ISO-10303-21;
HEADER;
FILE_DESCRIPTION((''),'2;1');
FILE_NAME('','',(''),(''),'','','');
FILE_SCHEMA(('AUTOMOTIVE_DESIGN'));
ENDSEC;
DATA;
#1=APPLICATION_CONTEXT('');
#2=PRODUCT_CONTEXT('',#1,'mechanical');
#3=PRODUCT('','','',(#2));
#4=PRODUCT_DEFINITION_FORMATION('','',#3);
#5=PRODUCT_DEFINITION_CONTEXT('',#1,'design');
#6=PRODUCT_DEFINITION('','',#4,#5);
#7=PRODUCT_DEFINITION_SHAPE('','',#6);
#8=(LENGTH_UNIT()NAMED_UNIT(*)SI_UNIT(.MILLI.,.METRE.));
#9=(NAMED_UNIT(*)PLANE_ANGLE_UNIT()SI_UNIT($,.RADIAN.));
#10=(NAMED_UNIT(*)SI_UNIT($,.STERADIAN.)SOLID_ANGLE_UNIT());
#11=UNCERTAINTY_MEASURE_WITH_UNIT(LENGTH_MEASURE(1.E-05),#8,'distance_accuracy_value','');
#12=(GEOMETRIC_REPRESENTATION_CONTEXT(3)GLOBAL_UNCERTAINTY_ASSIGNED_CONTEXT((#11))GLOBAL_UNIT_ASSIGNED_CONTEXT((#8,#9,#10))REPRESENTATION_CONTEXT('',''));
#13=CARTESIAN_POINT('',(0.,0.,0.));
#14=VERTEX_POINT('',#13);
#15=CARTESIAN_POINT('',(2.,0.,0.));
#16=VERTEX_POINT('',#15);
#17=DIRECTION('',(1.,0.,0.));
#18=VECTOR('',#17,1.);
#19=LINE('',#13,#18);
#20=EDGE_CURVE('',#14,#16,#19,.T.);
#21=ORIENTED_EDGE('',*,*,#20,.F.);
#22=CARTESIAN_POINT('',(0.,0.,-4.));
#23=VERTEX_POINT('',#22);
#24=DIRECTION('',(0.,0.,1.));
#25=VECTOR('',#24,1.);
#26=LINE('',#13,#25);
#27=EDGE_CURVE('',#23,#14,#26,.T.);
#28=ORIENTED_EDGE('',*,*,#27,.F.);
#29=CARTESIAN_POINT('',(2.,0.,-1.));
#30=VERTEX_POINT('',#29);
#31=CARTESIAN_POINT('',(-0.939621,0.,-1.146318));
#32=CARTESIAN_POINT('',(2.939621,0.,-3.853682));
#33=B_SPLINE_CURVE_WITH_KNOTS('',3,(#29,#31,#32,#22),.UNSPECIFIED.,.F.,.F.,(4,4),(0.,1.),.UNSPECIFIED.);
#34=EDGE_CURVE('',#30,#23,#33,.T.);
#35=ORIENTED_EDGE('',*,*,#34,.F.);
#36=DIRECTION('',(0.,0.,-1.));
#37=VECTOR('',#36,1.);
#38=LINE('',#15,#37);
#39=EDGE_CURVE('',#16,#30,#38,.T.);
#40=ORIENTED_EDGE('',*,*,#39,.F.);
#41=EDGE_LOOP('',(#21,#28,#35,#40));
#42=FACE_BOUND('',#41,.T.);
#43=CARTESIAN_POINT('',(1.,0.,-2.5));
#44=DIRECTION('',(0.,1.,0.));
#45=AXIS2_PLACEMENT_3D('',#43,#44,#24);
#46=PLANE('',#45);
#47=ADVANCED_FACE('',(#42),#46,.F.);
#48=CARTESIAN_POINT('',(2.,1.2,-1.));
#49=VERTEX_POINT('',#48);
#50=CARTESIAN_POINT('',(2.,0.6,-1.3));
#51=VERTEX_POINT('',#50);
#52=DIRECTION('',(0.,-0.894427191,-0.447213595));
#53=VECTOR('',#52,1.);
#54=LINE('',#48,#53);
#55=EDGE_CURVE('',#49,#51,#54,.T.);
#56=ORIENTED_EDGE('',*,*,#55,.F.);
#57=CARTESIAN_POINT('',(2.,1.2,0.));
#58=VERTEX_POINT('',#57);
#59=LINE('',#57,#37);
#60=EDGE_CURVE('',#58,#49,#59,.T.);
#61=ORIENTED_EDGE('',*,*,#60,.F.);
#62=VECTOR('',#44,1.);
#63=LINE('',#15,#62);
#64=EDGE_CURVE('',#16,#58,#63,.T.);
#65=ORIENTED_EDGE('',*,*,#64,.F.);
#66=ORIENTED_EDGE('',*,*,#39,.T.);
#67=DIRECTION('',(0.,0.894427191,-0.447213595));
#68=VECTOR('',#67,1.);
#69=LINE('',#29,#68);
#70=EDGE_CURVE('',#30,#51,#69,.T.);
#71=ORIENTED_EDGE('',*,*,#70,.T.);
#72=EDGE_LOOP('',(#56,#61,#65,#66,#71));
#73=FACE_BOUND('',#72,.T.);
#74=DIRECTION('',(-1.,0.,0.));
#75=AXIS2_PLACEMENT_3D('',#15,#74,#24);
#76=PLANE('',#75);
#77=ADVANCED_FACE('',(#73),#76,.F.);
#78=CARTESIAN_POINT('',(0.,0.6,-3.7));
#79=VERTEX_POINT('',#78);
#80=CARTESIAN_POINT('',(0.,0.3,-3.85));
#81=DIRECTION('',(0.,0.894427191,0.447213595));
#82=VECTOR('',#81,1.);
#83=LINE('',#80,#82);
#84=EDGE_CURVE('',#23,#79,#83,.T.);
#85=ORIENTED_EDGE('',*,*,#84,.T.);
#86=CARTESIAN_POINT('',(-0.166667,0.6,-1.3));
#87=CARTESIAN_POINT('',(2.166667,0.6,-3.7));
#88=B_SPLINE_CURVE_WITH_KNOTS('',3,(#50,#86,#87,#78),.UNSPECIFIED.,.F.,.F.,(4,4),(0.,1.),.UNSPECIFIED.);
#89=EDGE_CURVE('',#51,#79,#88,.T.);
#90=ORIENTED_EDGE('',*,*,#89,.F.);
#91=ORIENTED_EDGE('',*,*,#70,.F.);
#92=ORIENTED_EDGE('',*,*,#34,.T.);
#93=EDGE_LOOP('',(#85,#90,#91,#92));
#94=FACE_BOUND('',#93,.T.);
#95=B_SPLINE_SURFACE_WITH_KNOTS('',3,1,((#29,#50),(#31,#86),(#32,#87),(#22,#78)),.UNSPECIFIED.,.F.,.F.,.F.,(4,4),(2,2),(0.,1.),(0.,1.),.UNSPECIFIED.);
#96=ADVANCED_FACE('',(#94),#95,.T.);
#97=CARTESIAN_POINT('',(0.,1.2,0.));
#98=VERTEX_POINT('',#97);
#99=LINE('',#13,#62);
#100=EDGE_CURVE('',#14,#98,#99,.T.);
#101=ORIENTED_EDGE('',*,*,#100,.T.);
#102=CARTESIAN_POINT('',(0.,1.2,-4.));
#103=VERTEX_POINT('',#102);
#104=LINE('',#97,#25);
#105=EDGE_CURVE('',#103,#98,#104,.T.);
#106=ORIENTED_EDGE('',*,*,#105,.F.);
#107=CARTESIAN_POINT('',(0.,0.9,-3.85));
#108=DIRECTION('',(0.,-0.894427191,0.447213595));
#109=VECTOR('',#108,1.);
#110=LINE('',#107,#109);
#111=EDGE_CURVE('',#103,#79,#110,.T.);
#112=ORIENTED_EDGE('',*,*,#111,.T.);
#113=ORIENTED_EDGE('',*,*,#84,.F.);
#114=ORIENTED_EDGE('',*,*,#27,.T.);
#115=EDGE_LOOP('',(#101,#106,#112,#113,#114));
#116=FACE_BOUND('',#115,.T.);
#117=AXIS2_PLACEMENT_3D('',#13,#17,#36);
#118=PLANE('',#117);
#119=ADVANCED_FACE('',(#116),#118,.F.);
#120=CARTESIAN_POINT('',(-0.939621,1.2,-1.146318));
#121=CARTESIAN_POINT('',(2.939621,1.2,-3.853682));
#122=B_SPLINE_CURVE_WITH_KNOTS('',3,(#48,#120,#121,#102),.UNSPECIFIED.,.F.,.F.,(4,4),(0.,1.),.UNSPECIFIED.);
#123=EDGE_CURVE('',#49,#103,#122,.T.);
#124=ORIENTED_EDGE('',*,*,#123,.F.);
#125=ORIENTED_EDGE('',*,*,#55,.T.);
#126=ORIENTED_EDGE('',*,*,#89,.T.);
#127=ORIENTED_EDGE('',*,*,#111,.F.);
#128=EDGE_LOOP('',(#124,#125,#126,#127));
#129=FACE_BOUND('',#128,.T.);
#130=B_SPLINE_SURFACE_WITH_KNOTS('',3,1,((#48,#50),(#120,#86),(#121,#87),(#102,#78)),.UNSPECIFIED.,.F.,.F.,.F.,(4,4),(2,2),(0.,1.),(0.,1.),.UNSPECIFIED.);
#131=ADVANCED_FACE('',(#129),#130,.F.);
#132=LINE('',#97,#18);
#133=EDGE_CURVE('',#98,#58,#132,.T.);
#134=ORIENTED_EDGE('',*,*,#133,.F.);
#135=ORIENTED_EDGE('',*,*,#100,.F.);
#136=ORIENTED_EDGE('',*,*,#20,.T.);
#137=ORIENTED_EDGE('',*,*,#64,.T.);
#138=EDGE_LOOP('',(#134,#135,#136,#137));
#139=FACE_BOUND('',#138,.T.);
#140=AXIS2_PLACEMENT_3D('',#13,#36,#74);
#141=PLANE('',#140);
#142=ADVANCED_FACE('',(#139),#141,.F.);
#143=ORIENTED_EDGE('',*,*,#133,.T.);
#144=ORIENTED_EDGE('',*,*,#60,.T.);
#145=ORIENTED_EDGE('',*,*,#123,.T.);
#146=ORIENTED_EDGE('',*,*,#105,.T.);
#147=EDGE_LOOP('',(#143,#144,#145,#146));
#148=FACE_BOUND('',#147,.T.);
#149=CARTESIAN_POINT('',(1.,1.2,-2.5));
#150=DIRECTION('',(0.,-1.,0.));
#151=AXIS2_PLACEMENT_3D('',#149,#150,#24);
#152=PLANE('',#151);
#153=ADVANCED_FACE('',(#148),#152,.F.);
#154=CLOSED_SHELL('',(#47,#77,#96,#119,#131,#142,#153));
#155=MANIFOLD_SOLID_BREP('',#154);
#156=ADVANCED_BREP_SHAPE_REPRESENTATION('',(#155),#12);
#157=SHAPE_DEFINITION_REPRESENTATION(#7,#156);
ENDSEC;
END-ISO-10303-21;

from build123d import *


with BuildPart() as part:
    # Sketch1 → Loft1 section 0
    with BuildSketch(Plane(origin=(0, 0, 0), x_dir=(1, 0, 0), z_dir=(0, 1, 0))):
        with BuildLine():
            Line((0, 0), (2, 0))
            Line((2, 0), (2, 1))
            add(Edge.make_bspline(
                [(0, 4), (2.939621294, 3.853681673), (-0.939621294, 1.146318327), (2, 1)],
                knots=[0, 0, 0, 0, 1, 1, 1, 1], degree=3))
            Line((0, 4), (0, 0))
        make_face()
    # Sketch2 → Loft1 section 1
    with BuildSketch(Plane(origin=(0, 0.6, 0), x_dir=(1, 0, 0), z_dir=(0, 1, 0))):
        with BuildLine():
            Line((0, 0), (2, 0))
            Line((2, 0), (2, 1.3))
            add(Edge.make_bspline(
                [(0, 3.7), (2.166666667, 3.7), (-0.166666667, 1.3), (2, 1.3)],
                knots=[0, 0, 0, 0, 1, 1, 1, 1], degree=3))
            Line((0, 3.7), (0, 0))
        make_face()
    loft1 = loft()

    # Mirror1: Loft1 across plane
    add(loft1.mirror(Plane.ZX.offset(0.6)))


solid = part.part
